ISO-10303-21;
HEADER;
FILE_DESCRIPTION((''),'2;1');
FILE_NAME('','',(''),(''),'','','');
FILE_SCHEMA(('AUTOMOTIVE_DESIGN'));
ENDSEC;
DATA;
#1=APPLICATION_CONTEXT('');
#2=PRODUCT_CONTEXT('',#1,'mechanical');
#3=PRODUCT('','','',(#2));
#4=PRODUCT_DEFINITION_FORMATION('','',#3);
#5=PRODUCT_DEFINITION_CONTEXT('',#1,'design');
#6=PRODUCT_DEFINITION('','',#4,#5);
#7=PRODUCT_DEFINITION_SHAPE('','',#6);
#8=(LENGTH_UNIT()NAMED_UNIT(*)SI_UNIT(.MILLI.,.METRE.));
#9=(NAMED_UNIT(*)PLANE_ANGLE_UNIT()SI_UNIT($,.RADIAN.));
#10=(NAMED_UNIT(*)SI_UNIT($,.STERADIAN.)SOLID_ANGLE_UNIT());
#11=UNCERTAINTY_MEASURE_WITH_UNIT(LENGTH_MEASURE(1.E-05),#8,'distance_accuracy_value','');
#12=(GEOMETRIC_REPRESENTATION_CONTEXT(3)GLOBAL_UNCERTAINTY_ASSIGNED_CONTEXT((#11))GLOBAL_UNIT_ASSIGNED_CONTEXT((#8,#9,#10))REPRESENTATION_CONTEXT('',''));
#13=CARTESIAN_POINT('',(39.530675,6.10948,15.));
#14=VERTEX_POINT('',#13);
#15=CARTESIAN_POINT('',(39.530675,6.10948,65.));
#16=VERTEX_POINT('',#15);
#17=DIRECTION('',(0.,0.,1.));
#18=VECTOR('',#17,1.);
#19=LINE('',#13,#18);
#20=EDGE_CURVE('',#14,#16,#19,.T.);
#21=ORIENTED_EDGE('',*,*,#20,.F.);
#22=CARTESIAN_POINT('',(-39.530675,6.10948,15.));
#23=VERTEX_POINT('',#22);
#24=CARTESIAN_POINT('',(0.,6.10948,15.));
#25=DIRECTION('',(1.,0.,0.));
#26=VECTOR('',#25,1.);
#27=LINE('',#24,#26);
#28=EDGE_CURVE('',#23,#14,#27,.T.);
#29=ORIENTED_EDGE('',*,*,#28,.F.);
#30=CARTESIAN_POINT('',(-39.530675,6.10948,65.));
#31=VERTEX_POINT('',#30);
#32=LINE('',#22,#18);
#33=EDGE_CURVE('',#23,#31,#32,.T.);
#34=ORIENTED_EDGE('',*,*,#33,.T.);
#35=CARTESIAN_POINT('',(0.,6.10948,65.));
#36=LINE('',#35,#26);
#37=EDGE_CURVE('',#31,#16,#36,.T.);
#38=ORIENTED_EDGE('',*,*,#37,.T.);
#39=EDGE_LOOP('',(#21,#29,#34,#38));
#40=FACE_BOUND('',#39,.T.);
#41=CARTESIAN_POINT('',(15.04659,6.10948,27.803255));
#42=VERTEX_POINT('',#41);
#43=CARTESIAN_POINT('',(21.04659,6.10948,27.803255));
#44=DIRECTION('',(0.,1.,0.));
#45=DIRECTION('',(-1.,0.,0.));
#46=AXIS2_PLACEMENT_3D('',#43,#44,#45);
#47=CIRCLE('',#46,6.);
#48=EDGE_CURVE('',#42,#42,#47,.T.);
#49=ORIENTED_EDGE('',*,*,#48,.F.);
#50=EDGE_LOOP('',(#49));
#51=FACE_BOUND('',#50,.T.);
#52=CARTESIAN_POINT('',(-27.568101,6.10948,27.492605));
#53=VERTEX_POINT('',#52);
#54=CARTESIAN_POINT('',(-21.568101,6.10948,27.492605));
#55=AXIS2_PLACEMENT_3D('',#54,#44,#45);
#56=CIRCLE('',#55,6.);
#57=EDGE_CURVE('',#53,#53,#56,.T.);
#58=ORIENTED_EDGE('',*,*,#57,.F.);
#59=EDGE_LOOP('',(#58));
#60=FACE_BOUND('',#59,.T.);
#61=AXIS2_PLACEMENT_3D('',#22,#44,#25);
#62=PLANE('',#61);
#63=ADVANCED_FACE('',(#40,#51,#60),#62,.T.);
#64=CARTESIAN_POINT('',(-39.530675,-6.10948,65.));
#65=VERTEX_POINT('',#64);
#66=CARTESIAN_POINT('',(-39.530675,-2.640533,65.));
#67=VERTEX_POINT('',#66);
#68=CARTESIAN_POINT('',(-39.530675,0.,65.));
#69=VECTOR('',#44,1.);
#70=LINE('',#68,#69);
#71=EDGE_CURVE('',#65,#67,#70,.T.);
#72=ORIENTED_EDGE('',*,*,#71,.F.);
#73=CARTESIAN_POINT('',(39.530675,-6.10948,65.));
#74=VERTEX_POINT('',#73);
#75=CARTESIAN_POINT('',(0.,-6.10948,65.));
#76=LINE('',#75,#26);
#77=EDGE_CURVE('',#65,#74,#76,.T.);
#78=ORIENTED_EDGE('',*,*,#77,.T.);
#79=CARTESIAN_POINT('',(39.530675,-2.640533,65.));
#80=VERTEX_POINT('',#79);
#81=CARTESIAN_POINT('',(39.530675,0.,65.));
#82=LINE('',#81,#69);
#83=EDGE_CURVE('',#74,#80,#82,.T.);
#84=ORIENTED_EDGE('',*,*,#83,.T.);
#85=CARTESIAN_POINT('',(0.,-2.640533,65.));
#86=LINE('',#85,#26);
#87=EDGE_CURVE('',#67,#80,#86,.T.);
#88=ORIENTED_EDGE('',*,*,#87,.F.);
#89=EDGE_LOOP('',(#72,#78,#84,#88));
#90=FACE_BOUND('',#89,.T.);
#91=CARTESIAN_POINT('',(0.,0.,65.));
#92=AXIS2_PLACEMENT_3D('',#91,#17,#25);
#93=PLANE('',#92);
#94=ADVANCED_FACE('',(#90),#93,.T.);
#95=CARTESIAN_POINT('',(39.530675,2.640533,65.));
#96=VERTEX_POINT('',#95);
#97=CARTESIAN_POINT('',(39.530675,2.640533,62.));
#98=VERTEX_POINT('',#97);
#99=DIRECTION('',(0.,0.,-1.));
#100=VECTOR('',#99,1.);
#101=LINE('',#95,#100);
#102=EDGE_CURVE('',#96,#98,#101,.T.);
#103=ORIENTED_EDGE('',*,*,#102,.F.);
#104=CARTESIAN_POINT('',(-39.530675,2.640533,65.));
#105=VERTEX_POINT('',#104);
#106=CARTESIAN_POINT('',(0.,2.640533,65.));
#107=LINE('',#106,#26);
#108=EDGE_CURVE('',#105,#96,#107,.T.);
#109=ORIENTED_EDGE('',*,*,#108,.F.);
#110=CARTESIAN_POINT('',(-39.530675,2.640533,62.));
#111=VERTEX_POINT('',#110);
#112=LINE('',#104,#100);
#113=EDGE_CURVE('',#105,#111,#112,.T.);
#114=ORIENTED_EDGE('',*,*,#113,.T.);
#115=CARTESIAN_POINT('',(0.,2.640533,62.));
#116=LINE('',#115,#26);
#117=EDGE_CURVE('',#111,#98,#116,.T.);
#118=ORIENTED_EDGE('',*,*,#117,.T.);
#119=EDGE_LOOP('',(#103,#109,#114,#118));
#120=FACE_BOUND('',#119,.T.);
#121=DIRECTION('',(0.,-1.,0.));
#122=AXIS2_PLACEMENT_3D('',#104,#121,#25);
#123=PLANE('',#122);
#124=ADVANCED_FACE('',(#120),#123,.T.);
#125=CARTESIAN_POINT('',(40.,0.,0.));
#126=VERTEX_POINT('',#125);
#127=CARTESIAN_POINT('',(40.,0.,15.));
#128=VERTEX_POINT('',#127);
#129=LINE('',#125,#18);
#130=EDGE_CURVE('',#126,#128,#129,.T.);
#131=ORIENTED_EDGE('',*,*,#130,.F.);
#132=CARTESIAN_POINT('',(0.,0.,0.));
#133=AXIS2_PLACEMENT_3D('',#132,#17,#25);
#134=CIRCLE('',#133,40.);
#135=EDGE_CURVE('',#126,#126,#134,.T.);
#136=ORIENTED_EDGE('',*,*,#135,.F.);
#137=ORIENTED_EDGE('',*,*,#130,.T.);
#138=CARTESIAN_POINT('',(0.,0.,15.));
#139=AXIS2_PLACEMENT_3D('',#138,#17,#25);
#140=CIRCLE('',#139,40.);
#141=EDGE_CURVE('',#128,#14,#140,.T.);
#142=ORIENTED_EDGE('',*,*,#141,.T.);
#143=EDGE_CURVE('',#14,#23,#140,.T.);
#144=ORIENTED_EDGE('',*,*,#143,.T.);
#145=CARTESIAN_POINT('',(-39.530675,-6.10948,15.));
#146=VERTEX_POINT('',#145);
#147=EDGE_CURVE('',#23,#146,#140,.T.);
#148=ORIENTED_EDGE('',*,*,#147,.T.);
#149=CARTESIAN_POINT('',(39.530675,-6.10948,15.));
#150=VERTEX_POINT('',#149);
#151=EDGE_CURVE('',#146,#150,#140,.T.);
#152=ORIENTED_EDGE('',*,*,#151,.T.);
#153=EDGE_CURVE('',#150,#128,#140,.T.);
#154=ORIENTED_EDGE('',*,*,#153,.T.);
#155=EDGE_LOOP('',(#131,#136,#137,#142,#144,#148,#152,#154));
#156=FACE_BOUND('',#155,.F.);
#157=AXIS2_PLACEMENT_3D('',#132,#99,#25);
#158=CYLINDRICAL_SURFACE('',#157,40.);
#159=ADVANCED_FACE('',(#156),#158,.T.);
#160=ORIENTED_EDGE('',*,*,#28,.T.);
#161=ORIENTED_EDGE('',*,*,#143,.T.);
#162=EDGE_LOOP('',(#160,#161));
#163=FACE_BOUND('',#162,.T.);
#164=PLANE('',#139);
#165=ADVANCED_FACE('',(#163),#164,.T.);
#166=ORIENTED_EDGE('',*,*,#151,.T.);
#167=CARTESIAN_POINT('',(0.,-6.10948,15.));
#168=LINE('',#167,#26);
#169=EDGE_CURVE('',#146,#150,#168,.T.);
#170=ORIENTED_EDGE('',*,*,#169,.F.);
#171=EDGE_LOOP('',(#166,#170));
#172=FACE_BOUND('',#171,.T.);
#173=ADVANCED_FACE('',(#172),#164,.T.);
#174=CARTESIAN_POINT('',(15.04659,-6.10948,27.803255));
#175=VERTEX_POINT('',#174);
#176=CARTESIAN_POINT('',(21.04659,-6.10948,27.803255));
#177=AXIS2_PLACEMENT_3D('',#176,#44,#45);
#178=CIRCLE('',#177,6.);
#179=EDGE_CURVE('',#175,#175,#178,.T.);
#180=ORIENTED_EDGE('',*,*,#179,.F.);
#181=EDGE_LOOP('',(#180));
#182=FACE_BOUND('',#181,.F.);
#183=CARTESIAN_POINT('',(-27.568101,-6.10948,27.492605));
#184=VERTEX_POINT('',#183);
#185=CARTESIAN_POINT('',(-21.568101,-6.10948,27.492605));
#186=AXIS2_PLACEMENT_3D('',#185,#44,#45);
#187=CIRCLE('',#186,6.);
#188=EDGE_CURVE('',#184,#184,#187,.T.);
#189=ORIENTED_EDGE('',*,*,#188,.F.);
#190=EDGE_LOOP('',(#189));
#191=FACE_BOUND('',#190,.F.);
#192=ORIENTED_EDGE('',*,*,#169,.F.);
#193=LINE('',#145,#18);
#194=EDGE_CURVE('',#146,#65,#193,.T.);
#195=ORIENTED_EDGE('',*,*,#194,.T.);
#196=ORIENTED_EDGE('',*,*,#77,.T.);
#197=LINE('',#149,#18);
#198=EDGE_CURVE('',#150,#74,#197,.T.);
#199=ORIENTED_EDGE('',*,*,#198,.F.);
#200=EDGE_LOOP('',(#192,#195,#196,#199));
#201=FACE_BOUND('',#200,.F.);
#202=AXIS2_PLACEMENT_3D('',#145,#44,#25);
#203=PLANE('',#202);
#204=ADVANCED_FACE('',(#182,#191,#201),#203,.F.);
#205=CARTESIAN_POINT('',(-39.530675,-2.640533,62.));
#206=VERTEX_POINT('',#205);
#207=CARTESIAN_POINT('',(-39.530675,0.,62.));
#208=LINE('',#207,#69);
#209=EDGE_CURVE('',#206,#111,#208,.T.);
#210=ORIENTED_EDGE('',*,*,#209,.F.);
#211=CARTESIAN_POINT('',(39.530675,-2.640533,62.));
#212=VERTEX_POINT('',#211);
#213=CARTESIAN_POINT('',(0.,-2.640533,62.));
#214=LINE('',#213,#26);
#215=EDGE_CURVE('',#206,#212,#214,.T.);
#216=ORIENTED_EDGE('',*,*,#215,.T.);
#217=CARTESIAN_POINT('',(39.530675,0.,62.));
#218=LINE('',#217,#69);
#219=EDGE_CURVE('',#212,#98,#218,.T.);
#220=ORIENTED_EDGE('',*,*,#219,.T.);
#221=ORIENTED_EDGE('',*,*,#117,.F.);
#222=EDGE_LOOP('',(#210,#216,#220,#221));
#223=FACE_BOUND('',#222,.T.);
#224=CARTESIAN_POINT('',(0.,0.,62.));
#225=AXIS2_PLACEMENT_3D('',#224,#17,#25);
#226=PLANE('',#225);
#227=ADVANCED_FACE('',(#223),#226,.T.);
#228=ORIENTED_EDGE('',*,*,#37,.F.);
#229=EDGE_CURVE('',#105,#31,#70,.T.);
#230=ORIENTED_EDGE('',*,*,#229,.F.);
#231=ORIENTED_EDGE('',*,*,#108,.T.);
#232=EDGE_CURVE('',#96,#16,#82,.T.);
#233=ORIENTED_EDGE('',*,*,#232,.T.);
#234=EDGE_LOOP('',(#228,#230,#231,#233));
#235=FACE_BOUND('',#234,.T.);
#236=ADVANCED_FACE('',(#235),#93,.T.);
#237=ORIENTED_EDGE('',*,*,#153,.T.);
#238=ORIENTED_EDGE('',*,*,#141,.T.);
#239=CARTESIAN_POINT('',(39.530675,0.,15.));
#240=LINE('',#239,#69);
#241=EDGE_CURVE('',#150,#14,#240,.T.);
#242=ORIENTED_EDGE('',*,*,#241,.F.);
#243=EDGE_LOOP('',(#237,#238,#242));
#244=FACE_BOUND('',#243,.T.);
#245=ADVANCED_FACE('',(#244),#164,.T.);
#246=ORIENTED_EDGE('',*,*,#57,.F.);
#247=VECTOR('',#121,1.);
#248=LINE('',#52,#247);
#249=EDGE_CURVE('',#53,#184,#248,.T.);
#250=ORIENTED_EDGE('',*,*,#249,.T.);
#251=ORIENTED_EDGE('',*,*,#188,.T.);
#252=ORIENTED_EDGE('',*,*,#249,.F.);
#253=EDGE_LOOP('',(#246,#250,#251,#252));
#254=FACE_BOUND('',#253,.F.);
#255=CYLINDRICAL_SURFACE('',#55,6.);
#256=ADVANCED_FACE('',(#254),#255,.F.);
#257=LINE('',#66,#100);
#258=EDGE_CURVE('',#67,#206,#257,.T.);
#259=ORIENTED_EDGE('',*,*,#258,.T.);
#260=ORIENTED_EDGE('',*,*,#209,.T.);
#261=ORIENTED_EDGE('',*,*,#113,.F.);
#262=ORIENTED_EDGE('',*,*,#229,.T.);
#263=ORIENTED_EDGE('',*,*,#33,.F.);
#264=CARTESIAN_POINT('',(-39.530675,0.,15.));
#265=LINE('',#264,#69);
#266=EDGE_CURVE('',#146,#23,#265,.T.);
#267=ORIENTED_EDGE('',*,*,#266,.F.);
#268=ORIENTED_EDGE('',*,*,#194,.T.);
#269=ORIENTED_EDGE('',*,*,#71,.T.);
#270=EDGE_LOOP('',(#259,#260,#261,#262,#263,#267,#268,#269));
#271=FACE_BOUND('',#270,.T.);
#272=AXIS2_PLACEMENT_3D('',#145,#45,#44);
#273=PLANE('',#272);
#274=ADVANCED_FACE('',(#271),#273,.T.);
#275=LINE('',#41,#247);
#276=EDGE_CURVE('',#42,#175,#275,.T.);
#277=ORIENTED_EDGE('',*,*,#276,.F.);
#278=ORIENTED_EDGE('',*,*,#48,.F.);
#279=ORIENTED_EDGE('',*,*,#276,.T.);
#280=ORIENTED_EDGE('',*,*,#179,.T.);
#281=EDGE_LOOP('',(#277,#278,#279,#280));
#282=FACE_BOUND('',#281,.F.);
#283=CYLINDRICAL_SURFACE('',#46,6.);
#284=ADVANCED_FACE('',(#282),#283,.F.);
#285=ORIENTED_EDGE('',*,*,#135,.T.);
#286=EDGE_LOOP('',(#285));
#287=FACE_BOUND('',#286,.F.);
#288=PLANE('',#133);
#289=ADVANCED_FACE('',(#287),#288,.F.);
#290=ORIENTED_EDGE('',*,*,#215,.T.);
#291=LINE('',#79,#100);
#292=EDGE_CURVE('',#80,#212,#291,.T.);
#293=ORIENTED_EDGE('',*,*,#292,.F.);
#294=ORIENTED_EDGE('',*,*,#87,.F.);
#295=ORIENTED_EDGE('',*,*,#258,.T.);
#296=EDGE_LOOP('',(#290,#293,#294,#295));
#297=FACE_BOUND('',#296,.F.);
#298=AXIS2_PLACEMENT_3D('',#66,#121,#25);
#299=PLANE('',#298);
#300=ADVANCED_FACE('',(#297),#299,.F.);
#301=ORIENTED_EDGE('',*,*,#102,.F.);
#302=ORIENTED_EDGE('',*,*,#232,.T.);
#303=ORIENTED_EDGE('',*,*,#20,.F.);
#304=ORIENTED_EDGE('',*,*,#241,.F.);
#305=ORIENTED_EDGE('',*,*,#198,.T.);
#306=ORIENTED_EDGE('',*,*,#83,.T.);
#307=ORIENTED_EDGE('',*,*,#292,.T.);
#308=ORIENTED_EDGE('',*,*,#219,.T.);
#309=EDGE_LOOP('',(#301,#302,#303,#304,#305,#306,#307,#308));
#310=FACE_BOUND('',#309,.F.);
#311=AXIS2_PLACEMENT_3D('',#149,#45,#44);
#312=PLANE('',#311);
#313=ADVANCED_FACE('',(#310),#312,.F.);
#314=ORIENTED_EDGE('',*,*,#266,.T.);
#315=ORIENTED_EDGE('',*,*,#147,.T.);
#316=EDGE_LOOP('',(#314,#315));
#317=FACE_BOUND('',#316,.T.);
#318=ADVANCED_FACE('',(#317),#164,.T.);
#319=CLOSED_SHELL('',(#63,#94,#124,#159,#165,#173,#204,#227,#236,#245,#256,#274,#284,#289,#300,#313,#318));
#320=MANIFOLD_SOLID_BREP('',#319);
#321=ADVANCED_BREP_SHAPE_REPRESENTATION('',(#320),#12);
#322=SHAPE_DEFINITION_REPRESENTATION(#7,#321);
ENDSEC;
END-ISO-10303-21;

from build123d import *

# Parameters (mm, degrees)
F0_R     = 40
F1_DEPTH = 15
F2_W     = 79.06135
F2_H     = 12.21896
F3_DEPTH = 50
F4_W     = 79.06135
F4_H     = 5.281066
F5_DEPTH = 3
F6_R     = 6
F7_DEPTH = 25


with BuildPart() as f1:
    # F0 (on Top) → F1 (new body)
    with BuildSketch(Plane.XY):
        Circle(F0_R)
    extrude(amount=F1_DEPTH)

    # F2 (on face) → F3 (join)
    with BuildSketch(Plane.XY.offset(15)):
        Rectangle(F2_W, F2_H)
    extrude(amount=F3_DEPTH)

    # F4 (on face) → F5 (cut)
    with BuildSketch(Plane.XY.offset(65)):
        Rectangle(F4_W, F4_H)
    extrude(amount=-F5_DEPTH, mode=Mode.SUBTRACT)

    # F6 (on face) → F7 (cut)
    with BuildSketch(Plane(origin=(0, 6.10948, 0), x_dir=(-1, 0, 0), z_dir=(0, 1, 0))):
        with Locations((-21.04659, 27.803255)):
            Circle(F6_R)
        with Locations((21.568101, 27.492605)):
            Circle(F6_R)
    extrude(amount=-F7_DEPTH, mode=Mode.SUBTRACT)


solid = f1.part
